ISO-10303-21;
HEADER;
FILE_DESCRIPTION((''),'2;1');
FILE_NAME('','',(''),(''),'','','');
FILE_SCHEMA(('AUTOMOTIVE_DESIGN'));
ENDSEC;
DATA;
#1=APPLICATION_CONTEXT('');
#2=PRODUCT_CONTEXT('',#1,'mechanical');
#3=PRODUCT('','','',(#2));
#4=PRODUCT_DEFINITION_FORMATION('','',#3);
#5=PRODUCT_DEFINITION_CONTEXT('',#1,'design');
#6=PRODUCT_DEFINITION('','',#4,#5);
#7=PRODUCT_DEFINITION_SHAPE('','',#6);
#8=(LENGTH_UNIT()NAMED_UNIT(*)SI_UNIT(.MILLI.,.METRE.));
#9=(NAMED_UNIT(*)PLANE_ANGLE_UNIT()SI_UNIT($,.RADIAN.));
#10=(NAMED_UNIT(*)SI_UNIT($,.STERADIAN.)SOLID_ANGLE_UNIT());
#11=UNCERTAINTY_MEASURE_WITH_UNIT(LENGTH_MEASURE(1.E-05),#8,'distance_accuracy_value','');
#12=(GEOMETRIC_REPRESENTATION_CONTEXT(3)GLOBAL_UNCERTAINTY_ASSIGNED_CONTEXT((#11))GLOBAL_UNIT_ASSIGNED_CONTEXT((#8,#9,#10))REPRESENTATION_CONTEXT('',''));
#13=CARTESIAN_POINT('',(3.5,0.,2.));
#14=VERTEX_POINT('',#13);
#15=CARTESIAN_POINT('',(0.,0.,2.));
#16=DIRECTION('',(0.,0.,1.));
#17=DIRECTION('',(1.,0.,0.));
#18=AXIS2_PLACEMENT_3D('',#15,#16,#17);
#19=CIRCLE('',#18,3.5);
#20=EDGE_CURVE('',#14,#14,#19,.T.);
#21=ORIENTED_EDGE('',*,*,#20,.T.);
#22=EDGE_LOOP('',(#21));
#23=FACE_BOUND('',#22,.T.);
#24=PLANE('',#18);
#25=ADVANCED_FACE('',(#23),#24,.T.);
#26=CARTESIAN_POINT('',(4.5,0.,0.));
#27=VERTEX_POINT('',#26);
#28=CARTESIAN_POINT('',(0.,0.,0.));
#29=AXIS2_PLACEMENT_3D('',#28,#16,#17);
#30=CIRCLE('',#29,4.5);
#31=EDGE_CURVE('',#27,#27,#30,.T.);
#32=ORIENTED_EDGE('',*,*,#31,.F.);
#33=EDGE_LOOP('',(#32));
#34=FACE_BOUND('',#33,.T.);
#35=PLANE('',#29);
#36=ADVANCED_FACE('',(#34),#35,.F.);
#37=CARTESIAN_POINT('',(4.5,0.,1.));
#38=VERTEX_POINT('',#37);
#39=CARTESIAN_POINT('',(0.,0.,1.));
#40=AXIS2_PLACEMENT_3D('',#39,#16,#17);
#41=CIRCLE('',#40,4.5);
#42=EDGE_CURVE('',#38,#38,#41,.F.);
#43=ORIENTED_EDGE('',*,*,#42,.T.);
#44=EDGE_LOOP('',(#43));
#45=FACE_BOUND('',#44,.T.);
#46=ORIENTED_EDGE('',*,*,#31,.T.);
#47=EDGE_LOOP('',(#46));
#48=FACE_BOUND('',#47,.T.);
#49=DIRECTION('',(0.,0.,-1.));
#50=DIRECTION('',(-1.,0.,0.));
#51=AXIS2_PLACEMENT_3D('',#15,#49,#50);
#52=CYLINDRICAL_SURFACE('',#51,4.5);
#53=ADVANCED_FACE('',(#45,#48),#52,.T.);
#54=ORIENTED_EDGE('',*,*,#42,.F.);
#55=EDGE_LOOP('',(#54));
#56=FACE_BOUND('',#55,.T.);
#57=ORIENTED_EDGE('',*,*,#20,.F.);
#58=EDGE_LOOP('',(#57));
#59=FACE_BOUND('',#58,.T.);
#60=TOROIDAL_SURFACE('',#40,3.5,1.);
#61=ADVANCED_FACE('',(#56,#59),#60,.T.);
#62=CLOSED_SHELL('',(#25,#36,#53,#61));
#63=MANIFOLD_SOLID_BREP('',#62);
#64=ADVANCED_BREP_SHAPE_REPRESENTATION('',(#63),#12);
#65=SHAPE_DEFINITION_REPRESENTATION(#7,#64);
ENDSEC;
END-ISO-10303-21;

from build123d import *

# Parameters (mm, degrees)
SKETCH_1_R      = 4.5
EXTRUDE_1_DEPTH = 2
FILLET_1_R      = 1


with BuildPart() as part:
    # Эскиз1 → Бобышка-Вытянуть1 (new body)
    with BuildSketch(Plane.XY):
        Circle(SKETCH_1_R)
    extrude(amount=EXTRUDE_1_DEPTH)

    # Скругление1
    fillet_1_edges = [part.edges().sort_by_distance(p)[0] for p in [
        (-4.5, 0, 2),
    ]]
    fillet(fillet_1_edges, radius=FILLET_1_R)


solid = part.part
